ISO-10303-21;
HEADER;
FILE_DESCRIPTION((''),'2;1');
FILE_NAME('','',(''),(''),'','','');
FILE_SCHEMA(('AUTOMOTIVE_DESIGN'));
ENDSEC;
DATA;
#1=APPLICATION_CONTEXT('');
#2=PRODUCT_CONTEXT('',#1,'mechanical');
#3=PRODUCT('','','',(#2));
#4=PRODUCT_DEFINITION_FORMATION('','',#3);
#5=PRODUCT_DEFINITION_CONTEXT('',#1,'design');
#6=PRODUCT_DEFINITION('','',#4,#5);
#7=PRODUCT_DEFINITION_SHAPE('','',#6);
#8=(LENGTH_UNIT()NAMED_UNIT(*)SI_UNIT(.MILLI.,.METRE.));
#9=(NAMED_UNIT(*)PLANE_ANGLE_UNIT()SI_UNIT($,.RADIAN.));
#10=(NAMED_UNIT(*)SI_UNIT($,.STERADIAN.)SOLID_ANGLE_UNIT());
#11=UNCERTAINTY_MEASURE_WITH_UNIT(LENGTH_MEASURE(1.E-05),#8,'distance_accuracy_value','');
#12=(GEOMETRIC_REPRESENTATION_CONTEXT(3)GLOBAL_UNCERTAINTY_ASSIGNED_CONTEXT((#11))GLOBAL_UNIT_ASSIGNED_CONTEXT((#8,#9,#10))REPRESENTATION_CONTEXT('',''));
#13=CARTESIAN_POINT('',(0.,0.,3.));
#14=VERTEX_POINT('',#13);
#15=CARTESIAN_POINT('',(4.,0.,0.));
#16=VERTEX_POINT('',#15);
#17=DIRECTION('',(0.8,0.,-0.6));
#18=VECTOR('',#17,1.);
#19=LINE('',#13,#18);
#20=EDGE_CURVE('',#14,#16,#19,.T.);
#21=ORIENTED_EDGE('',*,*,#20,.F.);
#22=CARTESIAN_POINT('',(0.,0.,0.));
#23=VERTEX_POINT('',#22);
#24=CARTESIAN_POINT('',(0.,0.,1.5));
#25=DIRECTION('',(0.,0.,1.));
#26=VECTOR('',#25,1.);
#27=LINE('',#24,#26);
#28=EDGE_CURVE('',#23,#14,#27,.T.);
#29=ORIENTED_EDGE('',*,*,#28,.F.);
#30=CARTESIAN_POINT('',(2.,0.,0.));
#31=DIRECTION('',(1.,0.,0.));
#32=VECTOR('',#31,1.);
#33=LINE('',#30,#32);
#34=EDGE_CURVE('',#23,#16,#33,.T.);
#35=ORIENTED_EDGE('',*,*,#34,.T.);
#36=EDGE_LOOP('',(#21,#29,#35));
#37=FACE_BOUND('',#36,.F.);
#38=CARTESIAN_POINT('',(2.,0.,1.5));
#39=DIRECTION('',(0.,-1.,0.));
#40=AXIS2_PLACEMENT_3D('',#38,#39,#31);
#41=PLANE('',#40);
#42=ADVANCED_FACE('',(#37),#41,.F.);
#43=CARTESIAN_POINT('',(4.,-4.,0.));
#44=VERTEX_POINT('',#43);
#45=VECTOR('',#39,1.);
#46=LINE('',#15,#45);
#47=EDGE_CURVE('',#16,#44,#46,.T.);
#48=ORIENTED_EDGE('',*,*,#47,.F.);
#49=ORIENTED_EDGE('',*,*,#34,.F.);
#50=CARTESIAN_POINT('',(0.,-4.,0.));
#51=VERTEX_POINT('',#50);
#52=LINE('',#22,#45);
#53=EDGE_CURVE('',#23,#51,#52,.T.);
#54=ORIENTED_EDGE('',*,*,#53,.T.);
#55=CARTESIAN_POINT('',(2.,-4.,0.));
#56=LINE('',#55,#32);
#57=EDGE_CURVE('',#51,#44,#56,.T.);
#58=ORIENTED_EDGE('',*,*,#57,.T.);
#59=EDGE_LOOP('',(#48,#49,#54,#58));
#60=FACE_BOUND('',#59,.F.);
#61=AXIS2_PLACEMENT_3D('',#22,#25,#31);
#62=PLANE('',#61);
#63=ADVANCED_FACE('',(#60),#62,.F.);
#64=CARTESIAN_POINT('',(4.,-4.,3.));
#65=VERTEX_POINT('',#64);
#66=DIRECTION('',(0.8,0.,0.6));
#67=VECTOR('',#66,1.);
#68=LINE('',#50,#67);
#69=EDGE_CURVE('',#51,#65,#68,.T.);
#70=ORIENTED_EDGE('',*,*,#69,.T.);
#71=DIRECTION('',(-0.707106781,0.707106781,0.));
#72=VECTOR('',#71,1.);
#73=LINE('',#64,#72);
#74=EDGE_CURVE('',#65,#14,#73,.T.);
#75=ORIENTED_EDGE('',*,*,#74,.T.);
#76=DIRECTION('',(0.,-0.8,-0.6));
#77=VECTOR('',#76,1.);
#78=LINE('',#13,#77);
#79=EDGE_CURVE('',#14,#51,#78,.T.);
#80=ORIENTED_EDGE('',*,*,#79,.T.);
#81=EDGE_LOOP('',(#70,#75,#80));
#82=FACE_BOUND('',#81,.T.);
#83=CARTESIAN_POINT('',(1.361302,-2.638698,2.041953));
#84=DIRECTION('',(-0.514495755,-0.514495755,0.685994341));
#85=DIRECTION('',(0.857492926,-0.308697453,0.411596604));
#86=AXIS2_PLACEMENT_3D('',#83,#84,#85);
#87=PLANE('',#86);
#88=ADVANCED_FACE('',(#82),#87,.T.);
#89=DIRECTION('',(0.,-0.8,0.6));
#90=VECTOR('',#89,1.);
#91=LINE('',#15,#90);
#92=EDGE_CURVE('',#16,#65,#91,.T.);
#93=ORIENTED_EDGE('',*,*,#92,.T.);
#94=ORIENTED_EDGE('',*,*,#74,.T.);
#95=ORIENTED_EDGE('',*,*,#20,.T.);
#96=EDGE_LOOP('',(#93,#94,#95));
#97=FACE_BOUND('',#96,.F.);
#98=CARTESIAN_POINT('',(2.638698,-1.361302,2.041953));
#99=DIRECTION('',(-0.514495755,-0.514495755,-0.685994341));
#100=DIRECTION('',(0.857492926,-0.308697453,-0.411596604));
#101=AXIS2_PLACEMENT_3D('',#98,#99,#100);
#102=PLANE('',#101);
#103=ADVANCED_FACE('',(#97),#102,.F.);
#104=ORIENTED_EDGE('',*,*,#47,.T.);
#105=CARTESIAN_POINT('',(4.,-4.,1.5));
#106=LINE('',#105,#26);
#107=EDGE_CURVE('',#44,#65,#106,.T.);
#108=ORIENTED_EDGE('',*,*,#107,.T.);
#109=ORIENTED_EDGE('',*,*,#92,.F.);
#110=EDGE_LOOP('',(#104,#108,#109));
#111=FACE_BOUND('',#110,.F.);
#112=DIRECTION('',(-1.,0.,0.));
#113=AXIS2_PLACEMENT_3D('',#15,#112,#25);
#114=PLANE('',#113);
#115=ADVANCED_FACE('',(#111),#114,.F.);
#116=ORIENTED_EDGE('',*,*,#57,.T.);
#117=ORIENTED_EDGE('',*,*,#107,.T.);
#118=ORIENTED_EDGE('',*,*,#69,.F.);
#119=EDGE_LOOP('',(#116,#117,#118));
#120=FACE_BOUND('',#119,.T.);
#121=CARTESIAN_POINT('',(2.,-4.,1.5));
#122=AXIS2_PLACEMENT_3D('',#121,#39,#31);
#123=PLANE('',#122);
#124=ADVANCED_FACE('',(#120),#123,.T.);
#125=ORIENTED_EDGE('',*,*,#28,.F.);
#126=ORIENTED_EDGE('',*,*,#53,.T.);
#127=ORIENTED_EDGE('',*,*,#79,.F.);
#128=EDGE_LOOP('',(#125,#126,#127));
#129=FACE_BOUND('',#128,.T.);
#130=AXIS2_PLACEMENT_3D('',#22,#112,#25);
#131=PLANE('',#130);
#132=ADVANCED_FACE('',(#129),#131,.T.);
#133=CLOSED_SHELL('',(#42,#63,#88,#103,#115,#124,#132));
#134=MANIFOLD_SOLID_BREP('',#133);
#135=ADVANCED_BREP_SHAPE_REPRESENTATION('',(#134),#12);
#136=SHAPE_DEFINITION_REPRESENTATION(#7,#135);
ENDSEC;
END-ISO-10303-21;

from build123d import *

# Parameters (mm, degrees)
F0_W     = 4
F0_H     = 3
F1_DEPTH = 4
F5_DEPTH = 25
F7_DEPTH = 25


with BuildPart() as f1:
    # F0 (on Front) → F1 (new body)
    with BuildSketch(Plane.XZ):
        with Locations((2, 1.5)):
            Rectangle(F0_W, F0_H)
    extrude(amount=F1_DEPTH)

    # F4 (on 3pt) → F5 (cut)
    with BuildSketch(Plane(origin=(-1.0588235294, -1.0588235294, 1.4117647059), x_dir=(0.8574929257, -0.3086974533, 0.4115966043), z_dir=(-0.5144957554, -0.5144957554, 0.6859943406))):
        Polygon((5.8995513289, -1.4), (1.234789813, 1.8), (1.234789813, -3.2), align=None)
    extrude(amount=F5_DEPTH, mode=Mode.SUBTRACT)

    # F6 (on 3pt) → F7 (cut)
    with BuildSketch(Plane(origin=(1.0588235294, 1.0588235294, 1.4117647059), x_dir=(0.8574929257, -0.3086974533, -0.4115966043), z_dir=(-0.5144957554, -0.5144957554, -0.6859943406))):
        Polygon((3.4299717029, 5), (-1.234789813, 1.8), (3.4299717029, 0), align=None)
    extrude(amount=-F7_DEPTH, mode=Mode.SUBTRACT)


solid = f1.part
